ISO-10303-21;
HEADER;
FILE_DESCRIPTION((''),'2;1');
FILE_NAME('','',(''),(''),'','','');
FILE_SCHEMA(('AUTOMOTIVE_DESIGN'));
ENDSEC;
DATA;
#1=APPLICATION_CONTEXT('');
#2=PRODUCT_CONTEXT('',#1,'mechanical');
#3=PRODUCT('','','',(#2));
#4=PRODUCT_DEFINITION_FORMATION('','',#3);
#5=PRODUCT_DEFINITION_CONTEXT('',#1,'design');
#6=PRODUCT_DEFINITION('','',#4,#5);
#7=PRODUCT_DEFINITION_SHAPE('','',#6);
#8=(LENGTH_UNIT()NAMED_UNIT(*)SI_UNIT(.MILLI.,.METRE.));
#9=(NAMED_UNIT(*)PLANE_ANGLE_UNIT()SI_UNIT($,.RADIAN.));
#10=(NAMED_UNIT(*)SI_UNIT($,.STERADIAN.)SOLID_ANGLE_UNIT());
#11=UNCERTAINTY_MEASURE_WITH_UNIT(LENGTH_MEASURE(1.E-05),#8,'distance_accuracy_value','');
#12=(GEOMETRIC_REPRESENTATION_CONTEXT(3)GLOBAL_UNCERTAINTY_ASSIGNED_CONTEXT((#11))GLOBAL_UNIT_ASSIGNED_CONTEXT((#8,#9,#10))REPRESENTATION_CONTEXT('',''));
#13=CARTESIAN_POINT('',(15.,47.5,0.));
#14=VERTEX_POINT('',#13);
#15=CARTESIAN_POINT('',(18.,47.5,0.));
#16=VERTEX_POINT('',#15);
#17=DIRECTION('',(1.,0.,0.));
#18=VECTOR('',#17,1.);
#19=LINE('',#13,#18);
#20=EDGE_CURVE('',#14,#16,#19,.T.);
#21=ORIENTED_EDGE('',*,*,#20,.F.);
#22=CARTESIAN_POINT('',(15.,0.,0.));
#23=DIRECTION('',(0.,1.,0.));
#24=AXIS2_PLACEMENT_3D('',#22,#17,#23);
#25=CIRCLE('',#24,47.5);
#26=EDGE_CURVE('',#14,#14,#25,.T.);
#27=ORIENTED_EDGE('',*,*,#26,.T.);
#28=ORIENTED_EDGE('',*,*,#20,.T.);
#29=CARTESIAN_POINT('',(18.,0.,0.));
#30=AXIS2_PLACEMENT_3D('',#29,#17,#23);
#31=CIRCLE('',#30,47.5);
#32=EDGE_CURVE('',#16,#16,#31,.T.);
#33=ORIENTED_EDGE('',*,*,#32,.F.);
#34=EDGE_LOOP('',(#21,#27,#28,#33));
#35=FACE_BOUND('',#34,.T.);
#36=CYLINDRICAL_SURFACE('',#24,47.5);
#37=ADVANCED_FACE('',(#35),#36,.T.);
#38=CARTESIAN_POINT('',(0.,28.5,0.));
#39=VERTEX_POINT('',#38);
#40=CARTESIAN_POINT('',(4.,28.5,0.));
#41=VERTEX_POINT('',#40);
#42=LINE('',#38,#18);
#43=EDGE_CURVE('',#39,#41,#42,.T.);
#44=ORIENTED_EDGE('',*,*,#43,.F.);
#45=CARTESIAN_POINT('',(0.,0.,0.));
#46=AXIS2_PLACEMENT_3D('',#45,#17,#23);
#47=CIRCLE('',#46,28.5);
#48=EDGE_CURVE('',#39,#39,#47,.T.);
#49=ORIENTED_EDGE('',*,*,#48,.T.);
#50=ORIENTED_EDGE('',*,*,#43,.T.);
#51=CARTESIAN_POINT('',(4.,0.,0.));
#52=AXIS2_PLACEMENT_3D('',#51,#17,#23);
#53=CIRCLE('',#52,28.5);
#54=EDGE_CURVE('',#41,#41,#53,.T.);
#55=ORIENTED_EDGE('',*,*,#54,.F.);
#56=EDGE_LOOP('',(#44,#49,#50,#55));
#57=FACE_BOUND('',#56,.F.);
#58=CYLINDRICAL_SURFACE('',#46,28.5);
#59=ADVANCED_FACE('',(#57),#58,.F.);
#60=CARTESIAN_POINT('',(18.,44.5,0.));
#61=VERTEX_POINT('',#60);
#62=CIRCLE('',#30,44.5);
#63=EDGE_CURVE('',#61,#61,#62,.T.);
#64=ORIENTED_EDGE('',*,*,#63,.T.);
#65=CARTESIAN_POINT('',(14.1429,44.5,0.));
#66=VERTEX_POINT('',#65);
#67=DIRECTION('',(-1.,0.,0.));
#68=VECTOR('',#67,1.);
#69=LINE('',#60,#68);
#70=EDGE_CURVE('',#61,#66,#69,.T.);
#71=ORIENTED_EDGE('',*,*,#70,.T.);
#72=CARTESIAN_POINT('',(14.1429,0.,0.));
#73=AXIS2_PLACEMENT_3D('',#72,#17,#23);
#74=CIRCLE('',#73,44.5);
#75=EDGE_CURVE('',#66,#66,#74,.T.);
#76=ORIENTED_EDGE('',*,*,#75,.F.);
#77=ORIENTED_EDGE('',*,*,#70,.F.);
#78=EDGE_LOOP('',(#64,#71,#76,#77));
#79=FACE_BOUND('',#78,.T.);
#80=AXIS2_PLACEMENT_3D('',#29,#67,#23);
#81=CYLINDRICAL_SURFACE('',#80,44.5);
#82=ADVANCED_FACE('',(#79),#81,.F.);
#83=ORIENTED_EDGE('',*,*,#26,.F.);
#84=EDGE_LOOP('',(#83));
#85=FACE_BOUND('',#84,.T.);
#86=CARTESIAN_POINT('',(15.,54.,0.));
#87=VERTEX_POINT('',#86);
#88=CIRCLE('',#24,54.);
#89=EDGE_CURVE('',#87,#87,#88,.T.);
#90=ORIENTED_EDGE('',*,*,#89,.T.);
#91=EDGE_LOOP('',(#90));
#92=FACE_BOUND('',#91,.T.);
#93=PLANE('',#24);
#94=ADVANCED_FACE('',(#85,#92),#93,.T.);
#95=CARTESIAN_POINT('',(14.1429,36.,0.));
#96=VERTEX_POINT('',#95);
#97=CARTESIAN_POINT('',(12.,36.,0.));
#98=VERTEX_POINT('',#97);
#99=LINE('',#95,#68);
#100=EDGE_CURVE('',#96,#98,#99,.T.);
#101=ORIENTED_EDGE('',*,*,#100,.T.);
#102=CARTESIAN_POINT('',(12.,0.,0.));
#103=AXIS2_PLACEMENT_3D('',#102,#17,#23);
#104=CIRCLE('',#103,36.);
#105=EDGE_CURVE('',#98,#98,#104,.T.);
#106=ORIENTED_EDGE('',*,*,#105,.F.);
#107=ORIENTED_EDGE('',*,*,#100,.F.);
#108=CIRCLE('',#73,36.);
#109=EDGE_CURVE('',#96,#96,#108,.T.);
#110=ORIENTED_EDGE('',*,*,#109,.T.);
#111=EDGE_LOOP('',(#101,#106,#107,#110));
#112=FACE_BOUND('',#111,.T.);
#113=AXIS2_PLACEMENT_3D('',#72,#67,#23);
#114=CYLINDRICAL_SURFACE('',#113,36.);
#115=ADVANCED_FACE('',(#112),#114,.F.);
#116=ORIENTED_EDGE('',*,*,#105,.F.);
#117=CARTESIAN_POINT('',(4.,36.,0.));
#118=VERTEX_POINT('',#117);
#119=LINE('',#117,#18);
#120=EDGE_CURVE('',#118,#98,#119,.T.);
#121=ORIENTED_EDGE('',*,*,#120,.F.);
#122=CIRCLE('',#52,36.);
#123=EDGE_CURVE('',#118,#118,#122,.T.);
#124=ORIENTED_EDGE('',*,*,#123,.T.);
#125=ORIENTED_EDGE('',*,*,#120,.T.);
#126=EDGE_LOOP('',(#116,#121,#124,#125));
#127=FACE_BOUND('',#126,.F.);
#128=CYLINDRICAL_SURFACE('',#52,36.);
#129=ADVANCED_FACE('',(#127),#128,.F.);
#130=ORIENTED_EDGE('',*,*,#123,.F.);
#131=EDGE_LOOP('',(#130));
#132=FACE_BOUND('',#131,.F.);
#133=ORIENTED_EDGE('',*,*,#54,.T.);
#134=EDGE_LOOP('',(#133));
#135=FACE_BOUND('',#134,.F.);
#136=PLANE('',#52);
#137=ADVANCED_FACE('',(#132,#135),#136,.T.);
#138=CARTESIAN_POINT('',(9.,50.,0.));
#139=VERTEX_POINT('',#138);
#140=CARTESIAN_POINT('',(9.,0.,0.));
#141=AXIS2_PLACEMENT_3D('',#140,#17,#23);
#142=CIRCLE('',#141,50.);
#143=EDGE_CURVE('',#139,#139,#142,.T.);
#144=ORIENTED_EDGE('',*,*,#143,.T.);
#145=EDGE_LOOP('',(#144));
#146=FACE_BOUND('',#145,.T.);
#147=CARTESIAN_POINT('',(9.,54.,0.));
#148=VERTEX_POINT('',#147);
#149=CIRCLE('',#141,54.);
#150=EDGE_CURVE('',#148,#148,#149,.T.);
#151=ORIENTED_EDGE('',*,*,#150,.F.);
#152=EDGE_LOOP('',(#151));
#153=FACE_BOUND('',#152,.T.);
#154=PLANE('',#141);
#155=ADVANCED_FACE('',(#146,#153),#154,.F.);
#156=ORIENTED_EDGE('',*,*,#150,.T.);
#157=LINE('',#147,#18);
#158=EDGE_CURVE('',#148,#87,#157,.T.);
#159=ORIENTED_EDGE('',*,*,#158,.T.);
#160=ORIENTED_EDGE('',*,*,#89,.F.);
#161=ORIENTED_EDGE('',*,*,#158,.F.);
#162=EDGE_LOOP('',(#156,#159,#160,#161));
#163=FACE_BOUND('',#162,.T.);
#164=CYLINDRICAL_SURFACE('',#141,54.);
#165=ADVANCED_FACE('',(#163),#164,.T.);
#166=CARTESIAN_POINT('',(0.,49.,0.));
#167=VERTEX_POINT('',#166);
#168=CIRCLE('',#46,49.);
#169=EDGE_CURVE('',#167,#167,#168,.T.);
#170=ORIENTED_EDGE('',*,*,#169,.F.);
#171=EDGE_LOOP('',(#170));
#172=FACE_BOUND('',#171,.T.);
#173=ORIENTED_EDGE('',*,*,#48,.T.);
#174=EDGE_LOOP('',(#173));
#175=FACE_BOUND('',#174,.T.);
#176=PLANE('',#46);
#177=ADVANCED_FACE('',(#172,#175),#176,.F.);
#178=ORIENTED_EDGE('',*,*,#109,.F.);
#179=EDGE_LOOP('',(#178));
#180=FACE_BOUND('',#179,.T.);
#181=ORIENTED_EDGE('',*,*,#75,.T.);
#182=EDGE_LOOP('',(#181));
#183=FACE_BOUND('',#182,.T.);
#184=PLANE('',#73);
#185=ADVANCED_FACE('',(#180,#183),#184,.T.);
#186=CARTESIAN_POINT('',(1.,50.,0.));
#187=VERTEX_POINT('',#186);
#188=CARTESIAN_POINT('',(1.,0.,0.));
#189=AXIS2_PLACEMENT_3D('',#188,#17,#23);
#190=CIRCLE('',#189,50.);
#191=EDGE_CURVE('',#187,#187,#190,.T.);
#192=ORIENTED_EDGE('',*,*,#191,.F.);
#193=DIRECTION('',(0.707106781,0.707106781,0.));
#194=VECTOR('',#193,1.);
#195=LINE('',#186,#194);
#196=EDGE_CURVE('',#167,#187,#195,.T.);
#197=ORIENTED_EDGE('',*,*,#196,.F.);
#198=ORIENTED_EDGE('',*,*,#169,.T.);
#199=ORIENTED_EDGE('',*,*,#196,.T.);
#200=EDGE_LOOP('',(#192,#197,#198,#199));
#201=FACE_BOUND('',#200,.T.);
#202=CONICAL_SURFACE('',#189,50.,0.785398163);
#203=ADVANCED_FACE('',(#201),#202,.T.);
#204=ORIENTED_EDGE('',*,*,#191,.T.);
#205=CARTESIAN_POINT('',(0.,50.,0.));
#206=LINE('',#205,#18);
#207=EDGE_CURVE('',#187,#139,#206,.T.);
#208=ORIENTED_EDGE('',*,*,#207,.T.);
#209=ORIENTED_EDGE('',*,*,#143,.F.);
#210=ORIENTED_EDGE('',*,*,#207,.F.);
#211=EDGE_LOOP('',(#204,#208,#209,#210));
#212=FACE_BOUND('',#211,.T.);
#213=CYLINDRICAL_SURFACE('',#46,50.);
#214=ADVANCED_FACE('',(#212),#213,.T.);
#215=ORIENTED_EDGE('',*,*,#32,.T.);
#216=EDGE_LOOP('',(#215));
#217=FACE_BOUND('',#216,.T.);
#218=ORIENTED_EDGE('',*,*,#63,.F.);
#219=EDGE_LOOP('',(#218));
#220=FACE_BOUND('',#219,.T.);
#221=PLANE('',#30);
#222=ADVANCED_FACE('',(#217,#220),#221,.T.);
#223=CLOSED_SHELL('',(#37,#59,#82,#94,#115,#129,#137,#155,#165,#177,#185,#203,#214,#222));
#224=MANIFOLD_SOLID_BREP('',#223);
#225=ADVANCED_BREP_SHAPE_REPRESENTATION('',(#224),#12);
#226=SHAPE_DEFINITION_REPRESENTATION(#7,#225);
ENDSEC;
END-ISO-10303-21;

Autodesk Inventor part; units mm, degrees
ref_plane "YZ Plane" through (0, 0, 0) normal (1, 0, 0) x (0, 1, 0)
ref_plane "XZ Plane" through (0, 0, 0) normal (0, 1, 0) x (-1, 0, 0)
ref_plane "XY Plane" through (0, 0, 0) normal (0, 0, 1) x (1, 0, 0)
sketch "Эскиз1" plane through (0, 0, 0) normal (0, 0, 1) x (1, 0, 0)
  line L0 (0, 0) -> (118.4333, 0)
  line L1 (0, 28.5) -> (4, 28.5)
  line L2 (4, 28.5) -> (4, 36)
  line L3 (0, 28.5) -> (0, 50)
  line L4 (0, 50) -> (9, 50)
  line L5 (9, 50) -> (9, 54)
  line L6 (9, 54) -> (15, 54)
  line L7 (15, 54) -> (15, 47.5)
  line L8 (4, 36) -> (12, 36)
  line L9 (15, 47.5) -> (18, 47.5)
  line L10 (18, 47.5) -> (18, 44.5)
  line L11 (18, 44.5) -> (14.1429, 44.5)
  line L12 (14.1429, 44.5) -> (14.1429, 36)
  line L13 (14.1429, 36) -> (12, 36)
  dimension "d0" = 57
  dimension "d1" = 100
  dimension "d3" = 6
  dimension "d4" = 4
  dimension "d6" = 72
  dimension "d7" = 8
  dimension "d8" = 4
  dimension "d10" = 3
  dimension "d11" = 95
  dimension "d13" = 9
  dimension "d17" = 3
revolve "Вращение1" add sketch "Эскиз1" angle 360 about axis through (0, 0, 0) along (1, 0, 0)
chamfer "Фаска1" distance 1 angle 45 1 edges at (0, -50, 0)
properties part number "Крышка_Левая" material "Сталь, углеродистая"
